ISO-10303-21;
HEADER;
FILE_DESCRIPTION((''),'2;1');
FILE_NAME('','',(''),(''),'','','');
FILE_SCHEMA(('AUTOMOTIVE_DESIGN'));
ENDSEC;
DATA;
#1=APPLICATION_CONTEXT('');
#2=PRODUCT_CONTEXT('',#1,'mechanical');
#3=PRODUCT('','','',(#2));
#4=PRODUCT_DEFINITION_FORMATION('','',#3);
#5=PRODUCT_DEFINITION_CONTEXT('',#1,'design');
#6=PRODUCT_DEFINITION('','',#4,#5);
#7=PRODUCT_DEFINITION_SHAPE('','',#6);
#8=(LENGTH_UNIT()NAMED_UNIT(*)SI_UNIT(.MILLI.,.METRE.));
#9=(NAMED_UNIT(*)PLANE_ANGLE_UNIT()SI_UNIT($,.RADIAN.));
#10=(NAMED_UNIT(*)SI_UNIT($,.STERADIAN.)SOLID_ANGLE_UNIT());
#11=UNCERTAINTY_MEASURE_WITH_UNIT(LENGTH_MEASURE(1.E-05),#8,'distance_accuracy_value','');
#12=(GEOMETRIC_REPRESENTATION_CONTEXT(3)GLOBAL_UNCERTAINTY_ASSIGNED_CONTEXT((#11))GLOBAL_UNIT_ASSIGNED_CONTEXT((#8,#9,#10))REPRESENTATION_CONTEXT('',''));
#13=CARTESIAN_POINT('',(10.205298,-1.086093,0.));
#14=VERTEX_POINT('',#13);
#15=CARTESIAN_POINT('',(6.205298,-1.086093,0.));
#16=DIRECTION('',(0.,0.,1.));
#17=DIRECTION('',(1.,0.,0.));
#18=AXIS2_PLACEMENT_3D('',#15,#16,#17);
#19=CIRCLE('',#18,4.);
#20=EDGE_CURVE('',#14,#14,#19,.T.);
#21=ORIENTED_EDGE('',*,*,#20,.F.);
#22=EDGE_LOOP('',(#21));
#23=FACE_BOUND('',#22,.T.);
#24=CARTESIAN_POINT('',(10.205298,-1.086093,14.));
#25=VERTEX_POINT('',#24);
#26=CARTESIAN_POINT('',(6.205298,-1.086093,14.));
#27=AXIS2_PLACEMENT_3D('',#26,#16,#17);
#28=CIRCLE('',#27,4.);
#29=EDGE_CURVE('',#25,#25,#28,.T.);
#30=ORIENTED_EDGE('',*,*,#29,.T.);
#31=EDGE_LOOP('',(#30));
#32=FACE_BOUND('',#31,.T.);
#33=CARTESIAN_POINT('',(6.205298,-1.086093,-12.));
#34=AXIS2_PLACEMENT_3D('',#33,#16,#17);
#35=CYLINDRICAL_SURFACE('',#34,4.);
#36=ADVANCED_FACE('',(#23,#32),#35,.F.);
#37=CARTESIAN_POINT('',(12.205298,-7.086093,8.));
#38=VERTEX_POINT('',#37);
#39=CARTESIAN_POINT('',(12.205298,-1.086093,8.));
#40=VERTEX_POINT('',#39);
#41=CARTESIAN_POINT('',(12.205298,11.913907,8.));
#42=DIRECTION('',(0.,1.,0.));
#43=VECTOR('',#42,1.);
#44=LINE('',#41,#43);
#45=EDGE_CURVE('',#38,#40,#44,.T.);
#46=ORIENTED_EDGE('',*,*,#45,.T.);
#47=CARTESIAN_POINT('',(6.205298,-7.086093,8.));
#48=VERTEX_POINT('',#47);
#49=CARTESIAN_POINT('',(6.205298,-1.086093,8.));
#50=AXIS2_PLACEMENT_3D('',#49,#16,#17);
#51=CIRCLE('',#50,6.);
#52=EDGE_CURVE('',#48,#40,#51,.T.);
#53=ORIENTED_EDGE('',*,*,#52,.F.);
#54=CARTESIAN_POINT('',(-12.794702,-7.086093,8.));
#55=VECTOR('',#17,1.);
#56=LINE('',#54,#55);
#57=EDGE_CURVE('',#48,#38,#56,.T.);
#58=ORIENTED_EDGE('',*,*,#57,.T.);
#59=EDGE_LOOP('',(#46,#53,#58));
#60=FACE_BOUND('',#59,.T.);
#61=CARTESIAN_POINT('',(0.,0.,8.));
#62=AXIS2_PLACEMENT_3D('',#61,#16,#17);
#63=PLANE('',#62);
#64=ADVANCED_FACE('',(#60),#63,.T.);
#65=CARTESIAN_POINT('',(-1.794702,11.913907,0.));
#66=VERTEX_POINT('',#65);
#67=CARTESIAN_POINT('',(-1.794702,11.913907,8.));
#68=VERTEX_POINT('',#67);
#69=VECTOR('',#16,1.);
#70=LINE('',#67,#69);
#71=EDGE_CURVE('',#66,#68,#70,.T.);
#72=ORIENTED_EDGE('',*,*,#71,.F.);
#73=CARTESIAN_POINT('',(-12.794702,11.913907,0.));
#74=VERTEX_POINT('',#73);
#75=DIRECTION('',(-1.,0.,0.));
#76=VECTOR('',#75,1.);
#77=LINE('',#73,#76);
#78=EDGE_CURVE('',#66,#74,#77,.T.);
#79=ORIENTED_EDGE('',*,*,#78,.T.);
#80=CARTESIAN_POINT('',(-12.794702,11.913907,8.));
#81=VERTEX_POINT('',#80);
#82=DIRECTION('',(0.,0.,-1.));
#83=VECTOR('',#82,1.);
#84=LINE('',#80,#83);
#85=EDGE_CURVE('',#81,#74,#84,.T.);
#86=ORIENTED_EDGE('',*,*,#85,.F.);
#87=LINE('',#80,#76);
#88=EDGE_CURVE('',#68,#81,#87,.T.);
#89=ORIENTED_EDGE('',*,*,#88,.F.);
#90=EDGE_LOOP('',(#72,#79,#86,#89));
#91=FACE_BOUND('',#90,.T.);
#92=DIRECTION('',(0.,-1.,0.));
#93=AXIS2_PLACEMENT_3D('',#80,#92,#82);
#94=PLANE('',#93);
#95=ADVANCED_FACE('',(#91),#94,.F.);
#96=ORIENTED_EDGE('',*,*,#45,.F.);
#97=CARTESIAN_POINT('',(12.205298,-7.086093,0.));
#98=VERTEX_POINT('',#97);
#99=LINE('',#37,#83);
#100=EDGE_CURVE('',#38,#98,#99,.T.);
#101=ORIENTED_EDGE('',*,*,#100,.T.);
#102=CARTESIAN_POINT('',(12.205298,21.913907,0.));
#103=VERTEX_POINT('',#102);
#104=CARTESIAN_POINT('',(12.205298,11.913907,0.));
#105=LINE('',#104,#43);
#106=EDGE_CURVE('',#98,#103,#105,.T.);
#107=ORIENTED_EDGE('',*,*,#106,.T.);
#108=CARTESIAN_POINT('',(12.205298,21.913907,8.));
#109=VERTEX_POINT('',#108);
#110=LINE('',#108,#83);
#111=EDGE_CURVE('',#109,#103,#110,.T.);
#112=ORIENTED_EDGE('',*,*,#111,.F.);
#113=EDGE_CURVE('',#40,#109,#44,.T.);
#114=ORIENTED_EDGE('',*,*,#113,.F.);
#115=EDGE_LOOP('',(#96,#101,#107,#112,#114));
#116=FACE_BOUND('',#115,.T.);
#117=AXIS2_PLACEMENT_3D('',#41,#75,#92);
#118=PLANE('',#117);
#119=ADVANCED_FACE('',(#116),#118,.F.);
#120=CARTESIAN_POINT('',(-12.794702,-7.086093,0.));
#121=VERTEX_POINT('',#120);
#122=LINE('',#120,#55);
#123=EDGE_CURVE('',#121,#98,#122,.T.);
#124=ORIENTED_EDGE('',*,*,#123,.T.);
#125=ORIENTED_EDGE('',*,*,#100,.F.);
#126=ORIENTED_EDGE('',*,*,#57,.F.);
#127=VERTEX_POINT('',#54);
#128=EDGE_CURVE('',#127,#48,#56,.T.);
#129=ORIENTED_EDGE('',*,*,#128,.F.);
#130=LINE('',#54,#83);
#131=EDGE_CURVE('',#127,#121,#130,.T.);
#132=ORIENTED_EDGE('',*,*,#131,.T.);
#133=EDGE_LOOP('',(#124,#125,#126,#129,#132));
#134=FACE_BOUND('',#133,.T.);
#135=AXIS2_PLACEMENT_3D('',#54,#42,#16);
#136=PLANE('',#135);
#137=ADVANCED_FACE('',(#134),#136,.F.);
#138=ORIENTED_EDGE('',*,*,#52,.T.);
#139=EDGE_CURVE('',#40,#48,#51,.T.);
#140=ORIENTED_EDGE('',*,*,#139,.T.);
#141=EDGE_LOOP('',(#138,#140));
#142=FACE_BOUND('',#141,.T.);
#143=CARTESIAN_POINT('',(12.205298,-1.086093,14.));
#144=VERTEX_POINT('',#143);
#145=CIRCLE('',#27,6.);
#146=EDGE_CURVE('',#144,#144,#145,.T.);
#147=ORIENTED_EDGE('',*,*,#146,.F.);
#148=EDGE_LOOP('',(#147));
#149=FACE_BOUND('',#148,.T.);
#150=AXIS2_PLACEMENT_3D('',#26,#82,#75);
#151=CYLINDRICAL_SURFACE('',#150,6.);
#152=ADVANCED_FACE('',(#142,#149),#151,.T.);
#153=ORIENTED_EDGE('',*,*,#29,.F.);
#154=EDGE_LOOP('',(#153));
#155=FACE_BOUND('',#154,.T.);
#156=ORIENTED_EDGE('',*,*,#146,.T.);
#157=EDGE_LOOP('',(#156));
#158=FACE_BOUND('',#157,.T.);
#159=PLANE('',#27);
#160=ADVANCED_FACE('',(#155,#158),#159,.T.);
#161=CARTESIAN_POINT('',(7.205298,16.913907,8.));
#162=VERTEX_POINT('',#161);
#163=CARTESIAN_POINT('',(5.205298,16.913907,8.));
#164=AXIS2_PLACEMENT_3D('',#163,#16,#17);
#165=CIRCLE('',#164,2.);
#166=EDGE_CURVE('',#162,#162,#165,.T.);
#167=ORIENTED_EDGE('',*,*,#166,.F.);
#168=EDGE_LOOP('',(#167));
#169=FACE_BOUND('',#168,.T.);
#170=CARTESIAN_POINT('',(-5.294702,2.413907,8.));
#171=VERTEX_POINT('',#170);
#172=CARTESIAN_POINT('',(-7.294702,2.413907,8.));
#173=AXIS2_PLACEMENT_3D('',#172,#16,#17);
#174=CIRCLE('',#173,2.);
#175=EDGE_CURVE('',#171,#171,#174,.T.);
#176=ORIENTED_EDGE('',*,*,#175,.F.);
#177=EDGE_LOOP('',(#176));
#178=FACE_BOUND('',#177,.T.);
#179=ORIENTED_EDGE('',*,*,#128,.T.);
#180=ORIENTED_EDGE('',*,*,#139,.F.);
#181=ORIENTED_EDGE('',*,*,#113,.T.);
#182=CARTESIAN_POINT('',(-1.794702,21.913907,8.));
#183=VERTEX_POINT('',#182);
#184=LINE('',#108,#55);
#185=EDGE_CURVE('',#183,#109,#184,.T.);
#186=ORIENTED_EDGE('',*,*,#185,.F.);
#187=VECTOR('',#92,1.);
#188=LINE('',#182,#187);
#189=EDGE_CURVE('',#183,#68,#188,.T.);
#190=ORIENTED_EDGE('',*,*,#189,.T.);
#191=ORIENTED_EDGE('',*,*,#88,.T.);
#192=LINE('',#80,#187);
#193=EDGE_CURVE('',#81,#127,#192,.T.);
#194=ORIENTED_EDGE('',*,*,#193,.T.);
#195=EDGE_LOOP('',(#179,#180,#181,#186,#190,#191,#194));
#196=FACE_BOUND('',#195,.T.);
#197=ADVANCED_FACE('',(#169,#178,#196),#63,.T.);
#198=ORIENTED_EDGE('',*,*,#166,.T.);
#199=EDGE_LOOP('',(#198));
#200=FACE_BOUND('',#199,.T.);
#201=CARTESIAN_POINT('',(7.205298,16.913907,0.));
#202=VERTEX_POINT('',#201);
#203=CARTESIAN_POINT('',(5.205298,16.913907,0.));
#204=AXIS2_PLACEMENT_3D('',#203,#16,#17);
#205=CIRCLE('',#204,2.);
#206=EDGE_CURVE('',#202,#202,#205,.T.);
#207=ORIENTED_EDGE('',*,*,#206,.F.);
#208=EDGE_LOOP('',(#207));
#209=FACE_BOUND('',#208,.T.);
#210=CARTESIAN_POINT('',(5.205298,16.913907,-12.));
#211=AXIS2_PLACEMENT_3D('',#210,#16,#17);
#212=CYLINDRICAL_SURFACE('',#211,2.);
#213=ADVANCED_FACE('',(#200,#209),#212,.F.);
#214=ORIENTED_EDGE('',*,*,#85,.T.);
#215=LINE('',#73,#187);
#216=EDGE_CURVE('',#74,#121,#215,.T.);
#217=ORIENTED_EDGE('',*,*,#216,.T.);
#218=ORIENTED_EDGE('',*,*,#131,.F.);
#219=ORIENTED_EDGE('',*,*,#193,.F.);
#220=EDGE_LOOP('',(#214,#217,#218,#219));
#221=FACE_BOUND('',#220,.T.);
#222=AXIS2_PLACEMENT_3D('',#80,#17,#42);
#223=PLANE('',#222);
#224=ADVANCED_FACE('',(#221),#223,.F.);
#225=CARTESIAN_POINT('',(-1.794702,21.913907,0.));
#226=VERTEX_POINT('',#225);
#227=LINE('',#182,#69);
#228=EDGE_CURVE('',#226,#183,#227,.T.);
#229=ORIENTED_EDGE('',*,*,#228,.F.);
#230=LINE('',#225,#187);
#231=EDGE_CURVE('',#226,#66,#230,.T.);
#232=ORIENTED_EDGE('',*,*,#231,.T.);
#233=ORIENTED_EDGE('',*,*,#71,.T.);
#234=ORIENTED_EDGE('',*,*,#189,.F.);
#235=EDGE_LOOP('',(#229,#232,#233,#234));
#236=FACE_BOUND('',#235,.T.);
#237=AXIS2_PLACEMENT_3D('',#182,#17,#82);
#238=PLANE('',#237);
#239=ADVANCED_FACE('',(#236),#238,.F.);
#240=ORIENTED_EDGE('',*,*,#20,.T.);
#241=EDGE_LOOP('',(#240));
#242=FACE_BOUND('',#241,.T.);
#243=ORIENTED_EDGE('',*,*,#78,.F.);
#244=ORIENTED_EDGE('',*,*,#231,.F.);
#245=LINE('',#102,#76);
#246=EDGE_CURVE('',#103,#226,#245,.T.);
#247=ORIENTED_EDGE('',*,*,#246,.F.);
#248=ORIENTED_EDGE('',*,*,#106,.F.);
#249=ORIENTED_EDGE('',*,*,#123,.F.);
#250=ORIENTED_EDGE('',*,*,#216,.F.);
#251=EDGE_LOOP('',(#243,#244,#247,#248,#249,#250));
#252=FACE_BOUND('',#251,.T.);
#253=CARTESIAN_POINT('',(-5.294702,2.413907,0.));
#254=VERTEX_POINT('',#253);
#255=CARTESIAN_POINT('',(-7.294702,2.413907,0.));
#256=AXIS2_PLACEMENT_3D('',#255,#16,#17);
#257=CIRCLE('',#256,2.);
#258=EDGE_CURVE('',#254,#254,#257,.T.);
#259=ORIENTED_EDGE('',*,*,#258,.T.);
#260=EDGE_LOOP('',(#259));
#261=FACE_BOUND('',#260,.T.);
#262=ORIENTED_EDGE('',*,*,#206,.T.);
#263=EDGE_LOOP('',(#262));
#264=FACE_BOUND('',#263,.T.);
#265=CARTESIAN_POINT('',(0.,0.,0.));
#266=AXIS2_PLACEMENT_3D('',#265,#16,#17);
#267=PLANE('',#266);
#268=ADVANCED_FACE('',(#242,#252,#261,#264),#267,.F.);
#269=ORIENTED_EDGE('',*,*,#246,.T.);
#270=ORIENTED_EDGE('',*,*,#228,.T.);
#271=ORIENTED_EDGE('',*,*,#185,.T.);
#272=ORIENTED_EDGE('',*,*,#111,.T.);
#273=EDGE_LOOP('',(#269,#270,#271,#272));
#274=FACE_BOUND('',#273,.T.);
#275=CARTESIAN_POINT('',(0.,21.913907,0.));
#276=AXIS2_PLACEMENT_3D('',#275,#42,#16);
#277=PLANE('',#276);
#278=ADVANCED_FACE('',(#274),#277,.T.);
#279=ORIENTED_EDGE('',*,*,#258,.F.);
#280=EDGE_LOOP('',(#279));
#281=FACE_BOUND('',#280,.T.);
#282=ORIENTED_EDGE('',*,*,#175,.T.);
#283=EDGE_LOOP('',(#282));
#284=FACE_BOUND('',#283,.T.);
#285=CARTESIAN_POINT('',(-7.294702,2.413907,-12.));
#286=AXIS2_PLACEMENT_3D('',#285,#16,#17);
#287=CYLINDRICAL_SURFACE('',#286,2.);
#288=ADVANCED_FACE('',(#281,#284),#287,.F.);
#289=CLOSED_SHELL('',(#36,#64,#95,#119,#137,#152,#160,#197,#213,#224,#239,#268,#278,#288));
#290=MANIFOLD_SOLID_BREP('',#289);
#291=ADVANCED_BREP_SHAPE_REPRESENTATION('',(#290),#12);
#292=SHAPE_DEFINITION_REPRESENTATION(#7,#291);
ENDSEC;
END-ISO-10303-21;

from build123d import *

# Parameters (mm, degrees)
SKETCH1_W           = 25
SKETCH1_H           = 19
BOSS_EXTRUDE1_DEPTH = 8
SKETCH2_W           = 14
SKETCH2_H           = 8
BOSS_EXTRUDE2_DEPTH = 10
SKETCH3_R           = 2
CUT_EXTRUDE1_DEPTH  = 20
SKETCH4_R           = 4
CUT_EXTRUDE2_DEPTH  = 20
BOSS_EXTRUDE3_START = 6
SKETCH5_R           = 6
SKETCH5_R_2         = 4
BOSS_EXTRUDE3_DEPTH = 6


with BuildPart() as part:
    # Sketch1 → Boss-Extrude1 (new body)
    with BuildSketch(Plane.XY):
        with Locations((-0.294701987, 2.413907285)):
            Rectangle(SKETCH1_W, SKETCH1_H)
    extrude(amount=BOSS_EXTRUDE1_DEPTH)

    # Sketch2 → Boss-Extrude2 (add)
    with BuildSketch(Plane(origin=(0, 11.913907285, 0), x_dir=(1, 0, 0), z_dir=(0, 1, 0))):
        with Locations((5.205298013, -4)):
            Rectangle(SKETCH2_W, SKETCH2_H)
    extrude(amount=BOSS_EXTRUDE2_DEPTH)

    # Sketch3 → Cut-Extrude1 (cut)
    with BuildSketch(Plane.XY.offset(8)):
        with Locations((-7.294701987, 2.413907285)):
            Circle(SKETCH3_R)
        with Locations((5.205298013, 16.913907285)):
            Circle(SKETCH3_R)
    extrude(amount=-CUT_EXTRUDE1_DEPTH, mode=Mode.SUBTRACT)

    # Sketch4 → Cut-Extrude2 (cut)
    with BuildSketch(Plane.XY.offset(8)):
        with Locations((6.205298013, -1.086092715)):
            Circle(SKETCH4_R)
    extrude(amount=-CUT_EXTRUDE2_DEPTH, mode=Mode.SUBTRACT)

    # Sketch5 → Boss-Extrude3 (add)
    with BuildSketch(Plane.XY.offset(8).offset(BOSS_EXTRUDE3_START)):
        with Locations((6.205298013, -1.086092715)):
            Circle(SKETCH5_R)
        with Locations((6.205298013, -1.086092715)):
            Circle(SKETCH5_R_2, mode=Mode.SUBTRACT)
    extrude(amount=-BOSS_EXTRUDE3_DEPTH)


solid = part.part
